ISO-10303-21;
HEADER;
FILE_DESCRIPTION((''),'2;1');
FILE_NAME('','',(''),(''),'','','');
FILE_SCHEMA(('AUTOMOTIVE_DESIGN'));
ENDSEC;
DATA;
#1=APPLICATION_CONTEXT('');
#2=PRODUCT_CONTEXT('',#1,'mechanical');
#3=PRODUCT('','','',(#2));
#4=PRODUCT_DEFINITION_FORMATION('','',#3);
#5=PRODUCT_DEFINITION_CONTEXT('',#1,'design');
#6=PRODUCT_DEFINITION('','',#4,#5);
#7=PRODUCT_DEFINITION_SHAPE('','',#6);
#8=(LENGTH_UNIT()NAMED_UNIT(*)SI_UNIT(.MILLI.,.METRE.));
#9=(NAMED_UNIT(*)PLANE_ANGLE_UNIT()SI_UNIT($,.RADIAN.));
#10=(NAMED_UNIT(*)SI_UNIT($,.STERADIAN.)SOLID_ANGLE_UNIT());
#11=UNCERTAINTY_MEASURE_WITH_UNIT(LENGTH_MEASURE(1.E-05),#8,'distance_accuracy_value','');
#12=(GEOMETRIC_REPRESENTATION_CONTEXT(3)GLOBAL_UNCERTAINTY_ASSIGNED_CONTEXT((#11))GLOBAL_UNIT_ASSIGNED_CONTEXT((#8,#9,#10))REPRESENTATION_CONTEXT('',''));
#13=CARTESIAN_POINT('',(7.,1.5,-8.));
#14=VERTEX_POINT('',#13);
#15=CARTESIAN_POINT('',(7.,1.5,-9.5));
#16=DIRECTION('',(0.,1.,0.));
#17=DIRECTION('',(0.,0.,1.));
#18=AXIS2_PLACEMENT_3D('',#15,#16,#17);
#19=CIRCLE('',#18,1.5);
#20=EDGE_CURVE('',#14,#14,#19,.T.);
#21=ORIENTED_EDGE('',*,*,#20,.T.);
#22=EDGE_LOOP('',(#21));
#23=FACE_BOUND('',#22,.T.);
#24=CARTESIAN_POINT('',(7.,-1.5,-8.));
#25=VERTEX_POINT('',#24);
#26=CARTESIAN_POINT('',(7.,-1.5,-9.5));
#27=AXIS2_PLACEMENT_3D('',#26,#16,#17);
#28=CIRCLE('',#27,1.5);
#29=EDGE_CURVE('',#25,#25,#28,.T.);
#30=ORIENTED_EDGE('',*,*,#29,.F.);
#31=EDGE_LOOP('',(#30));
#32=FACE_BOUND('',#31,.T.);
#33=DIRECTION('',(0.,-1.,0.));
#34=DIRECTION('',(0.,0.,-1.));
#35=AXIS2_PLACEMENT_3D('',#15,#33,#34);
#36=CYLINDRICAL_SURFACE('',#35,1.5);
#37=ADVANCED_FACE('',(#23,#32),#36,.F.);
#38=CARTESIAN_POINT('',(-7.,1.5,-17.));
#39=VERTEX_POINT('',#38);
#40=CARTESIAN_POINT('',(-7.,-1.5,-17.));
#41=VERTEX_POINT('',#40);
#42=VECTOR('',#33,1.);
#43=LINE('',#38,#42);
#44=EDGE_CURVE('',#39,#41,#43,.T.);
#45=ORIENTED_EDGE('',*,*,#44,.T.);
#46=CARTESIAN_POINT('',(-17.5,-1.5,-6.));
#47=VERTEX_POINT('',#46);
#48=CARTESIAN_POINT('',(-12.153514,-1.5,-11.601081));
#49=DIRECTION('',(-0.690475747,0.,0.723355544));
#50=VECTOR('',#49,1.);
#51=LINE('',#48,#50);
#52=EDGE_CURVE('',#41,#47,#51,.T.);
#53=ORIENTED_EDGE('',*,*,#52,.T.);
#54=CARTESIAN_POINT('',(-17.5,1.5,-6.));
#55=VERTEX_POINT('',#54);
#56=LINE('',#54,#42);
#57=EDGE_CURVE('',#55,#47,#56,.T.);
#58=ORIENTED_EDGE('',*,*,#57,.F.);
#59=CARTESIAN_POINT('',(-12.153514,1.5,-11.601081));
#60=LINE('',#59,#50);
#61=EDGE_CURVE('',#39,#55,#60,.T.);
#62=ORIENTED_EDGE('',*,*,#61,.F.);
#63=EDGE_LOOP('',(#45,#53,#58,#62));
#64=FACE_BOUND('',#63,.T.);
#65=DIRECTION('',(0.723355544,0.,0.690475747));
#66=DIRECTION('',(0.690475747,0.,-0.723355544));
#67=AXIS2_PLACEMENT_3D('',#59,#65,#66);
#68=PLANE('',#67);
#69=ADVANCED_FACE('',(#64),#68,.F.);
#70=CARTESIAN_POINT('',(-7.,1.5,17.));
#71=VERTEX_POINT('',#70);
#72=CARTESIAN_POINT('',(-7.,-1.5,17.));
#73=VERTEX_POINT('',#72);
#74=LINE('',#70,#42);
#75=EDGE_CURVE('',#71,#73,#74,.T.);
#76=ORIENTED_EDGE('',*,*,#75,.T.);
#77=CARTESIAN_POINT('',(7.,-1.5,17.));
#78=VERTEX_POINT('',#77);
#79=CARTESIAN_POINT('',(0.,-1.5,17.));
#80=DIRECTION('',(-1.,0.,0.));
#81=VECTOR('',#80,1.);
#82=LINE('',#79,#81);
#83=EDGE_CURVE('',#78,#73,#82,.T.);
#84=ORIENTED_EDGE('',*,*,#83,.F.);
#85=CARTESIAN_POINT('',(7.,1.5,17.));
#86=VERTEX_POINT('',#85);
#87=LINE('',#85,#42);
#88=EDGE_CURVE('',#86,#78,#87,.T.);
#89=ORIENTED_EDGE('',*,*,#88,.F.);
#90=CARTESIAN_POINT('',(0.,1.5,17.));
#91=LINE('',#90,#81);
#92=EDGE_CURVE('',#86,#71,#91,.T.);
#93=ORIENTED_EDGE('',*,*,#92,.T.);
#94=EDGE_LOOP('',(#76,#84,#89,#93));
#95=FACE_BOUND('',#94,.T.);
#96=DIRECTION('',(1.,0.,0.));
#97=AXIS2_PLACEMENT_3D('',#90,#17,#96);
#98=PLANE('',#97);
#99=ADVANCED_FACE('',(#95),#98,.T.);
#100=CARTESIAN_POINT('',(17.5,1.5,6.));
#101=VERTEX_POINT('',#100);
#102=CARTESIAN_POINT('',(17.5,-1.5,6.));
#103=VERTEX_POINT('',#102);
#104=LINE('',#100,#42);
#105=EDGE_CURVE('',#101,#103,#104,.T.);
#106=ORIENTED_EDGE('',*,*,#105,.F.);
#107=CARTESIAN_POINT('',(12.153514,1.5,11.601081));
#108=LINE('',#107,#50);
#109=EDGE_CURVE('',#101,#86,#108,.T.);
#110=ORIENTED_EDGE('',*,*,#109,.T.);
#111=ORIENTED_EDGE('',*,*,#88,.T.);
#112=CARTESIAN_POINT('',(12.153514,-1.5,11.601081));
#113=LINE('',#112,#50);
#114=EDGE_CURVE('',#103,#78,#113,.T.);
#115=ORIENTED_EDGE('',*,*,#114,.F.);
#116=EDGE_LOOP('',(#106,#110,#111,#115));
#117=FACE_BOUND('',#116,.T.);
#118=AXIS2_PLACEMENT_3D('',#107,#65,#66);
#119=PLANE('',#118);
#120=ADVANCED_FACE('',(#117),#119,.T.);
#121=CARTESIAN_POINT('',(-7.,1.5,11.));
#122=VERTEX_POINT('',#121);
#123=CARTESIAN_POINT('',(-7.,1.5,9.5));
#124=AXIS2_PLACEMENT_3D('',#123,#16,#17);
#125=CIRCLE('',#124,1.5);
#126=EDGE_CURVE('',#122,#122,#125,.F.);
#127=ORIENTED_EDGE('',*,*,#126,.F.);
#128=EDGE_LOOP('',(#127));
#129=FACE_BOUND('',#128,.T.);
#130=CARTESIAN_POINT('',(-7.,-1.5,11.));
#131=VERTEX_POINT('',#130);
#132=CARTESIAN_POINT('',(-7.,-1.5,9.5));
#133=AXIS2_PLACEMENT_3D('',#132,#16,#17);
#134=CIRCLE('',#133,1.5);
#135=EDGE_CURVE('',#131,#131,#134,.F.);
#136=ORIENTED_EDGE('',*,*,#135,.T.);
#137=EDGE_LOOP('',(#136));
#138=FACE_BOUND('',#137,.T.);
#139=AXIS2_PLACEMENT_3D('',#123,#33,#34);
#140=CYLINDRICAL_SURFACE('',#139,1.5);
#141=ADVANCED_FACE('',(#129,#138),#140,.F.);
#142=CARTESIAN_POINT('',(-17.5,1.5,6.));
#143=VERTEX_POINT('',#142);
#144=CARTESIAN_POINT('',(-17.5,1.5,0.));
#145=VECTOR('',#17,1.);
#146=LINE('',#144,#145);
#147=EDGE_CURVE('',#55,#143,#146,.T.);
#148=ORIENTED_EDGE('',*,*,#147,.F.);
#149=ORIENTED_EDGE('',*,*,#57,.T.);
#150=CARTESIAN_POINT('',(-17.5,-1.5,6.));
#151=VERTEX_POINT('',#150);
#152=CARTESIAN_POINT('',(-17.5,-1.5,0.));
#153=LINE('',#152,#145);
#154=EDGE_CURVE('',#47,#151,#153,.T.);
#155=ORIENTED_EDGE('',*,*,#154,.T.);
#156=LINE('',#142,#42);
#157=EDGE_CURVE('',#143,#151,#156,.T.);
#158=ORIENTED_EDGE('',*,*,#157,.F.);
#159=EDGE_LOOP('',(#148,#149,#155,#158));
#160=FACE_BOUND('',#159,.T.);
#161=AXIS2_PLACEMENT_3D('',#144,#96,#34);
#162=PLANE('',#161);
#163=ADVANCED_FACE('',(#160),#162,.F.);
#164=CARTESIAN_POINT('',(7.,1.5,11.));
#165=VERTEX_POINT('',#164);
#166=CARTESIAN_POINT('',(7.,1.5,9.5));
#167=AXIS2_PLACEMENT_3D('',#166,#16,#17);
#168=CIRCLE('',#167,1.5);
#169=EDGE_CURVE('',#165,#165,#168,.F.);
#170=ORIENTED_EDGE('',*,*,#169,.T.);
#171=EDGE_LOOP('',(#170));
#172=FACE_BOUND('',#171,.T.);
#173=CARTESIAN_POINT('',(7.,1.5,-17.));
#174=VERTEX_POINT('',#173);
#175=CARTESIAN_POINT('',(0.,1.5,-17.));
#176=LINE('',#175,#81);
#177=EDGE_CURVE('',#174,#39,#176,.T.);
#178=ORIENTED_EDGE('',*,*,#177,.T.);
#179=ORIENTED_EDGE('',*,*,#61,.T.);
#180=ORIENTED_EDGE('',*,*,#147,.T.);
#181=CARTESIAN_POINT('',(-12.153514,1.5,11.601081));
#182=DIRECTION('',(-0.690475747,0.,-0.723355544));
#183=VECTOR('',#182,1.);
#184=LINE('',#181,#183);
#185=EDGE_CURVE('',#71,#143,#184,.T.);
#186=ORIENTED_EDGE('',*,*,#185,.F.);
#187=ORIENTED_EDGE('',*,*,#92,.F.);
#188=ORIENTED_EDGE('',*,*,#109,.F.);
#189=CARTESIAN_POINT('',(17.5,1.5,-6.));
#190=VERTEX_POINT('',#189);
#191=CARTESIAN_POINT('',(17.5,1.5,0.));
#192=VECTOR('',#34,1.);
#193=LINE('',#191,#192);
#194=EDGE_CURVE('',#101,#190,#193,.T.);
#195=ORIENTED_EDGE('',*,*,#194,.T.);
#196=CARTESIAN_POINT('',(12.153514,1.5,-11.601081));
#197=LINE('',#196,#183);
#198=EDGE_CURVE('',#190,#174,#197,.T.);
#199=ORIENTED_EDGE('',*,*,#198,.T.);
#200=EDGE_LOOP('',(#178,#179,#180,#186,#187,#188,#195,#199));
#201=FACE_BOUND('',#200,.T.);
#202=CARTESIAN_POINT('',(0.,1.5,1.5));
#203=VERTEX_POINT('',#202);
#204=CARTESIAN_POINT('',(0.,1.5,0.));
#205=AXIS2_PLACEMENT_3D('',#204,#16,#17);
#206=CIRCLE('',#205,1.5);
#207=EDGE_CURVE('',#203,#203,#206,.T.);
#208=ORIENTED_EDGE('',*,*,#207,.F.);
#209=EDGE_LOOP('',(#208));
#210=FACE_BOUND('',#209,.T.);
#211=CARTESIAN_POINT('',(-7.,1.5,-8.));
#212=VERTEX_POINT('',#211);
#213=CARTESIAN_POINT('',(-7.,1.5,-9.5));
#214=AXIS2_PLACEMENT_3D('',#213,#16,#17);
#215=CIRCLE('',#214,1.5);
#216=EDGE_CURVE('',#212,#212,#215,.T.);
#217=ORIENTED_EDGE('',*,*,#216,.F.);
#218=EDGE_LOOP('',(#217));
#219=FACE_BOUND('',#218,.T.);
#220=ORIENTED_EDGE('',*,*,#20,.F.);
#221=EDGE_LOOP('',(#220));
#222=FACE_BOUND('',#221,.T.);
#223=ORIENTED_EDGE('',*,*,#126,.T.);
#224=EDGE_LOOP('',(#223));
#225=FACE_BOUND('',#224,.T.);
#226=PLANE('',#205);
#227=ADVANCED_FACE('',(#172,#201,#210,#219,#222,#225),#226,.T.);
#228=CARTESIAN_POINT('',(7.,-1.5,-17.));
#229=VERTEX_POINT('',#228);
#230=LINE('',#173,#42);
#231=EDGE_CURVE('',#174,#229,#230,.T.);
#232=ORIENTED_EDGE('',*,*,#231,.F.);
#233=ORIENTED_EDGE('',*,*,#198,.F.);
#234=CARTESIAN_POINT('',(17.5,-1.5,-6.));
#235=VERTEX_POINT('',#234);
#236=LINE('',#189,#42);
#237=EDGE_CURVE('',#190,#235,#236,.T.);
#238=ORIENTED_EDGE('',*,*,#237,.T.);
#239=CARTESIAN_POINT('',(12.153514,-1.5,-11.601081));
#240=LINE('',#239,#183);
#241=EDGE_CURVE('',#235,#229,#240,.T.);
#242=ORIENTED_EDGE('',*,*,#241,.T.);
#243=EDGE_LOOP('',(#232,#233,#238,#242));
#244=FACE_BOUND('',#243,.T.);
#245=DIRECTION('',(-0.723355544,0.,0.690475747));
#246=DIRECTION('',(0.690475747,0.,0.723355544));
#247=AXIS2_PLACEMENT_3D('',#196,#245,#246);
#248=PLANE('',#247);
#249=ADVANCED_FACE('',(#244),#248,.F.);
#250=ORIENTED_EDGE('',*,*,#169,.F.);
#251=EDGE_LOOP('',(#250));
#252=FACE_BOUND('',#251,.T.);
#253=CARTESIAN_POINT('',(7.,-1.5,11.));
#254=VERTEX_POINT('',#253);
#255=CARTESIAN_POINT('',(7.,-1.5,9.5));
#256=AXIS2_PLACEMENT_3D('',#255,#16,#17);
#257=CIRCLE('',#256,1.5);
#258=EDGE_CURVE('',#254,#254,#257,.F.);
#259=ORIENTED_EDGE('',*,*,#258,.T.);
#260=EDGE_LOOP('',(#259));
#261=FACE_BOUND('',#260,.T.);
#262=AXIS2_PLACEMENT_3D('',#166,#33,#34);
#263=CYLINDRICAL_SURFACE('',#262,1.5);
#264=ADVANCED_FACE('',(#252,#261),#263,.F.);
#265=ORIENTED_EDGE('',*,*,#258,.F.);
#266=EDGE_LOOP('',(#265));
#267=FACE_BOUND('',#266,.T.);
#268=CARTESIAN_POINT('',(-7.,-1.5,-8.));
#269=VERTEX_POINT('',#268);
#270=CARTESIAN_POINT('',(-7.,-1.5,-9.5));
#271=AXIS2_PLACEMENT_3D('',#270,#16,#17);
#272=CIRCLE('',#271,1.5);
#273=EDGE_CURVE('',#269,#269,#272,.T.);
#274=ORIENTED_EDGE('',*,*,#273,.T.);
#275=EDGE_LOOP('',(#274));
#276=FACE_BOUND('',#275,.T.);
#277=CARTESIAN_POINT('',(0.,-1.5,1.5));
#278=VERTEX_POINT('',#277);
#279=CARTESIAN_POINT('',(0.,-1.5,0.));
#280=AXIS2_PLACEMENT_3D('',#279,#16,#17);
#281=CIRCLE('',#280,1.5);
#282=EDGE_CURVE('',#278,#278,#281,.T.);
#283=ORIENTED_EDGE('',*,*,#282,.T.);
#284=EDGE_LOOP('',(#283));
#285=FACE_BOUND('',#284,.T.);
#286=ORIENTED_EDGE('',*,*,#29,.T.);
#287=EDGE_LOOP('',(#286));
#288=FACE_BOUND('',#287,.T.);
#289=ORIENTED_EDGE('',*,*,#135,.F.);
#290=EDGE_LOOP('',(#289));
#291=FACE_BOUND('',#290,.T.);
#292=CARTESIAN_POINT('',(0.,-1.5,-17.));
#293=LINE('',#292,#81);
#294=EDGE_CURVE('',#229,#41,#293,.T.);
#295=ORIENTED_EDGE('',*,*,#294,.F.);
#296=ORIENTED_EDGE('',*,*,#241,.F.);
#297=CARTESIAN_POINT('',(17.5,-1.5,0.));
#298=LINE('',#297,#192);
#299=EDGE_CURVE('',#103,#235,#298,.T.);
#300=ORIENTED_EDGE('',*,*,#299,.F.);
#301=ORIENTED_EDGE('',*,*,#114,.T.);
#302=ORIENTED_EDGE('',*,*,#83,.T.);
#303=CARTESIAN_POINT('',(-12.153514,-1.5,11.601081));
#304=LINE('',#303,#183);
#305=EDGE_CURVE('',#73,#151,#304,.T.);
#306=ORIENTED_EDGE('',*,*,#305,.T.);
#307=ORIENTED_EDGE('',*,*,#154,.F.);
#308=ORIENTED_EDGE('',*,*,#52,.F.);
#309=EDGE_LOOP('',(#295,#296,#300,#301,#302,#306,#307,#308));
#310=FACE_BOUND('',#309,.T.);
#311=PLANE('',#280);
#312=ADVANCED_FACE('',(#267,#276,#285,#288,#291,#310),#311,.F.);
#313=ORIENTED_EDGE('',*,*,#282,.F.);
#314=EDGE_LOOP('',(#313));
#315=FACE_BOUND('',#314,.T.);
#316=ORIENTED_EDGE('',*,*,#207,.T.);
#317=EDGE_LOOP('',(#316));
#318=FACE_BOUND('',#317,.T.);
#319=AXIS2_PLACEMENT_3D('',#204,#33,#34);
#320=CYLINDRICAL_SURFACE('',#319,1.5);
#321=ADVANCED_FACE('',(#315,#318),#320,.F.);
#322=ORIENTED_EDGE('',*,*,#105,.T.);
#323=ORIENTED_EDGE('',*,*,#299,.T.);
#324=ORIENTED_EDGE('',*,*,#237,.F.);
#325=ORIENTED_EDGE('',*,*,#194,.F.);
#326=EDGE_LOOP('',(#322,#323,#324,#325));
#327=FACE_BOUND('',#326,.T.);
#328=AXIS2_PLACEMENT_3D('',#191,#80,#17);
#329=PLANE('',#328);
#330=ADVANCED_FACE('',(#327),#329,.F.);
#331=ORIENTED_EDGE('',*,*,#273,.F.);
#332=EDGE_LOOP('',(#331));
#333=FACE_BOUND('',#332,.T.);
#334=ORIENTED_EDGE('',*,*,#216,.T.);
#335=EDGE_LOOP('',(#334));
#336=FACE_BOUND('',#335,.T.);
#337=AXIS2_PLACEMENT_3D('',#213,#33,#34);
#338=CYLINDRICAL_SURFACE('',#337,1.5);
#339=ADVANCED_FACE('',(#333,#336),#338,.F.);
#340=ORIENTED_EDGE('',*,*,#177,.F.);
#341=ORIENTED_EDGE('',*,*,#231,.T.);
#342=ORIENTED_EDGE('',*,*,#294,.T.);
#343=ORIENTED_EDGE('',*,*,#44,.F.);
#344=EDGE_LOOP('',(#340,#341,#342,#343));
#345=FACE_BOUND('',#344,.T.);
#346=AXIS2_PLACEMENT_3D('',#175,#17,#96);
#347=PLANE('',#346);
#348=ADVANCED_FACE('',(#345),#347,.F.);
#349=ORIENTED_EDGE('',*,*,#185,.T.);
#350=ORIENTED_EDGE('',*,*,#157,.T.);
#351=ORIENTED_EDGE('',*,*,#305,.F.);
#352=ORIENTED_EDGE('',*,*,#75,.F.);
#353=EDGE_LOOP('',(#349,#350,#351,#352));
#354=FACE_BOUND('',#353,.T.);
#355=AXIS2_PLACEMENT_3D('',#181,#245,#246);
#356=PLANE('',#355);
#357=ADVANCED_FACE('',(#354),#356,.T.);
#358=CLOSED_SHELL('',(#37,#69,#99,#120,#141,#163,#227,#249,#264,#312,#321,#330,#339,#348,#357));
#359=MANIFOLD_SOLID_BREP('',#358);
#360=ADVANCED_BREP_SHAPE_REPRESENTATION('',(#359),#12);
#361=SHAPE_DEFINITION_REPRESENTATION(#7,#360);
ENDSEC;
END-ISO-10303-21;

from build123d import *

# Parameters (mm, degrees)
SKETCH1_R           = 1.5
BOSS_EXTRUDE1_DEPTH = 1.5


with BuildPart() as part:
    # Sketch1 → Boss-Extrude1 (new body, symmetric)
    with BuildSketch(Plane(origin=(0, 0, 0), x_dir=(1, 0, 0), z_dir=(0, 1, 0))):
        with BuildLine():
            Line((1.5, 0), (17.5, 0))
            Line((17.5, 0), (17.5, 6))
            Line((17.5, 6), (7, 17))
            Line((7, 17), (0, 17))
            Line((0, 17), (-7, 17))
            Line((-7, 17), (-17.5, 6))
            Line((-17.5, 6), (-17.5, 0))
            Line((-17.5, 0), (-1.5, 0))
            ThreePointArc((-1.5, 0), (0, 1.5), (1.5, 0))
        make_face()
        with Locations((-7, 9.5)):
            Circle(SKETCH1_R, mode=Mode.SUBTRACT)
        with Locations((7, 9.5)):
            Circle(SKETCH1_R, mode=Mode.SUBTRACT)
        with BuildLine():
            Line((7, -17), (17.5, -6))
            Line((17.5, -6), (17.5, 0))
            Line((17.5, 0), (1.5, 0))
            ThreePointArc((1.5, 0), (0, -1.5), (-1.5, 0))
            Line((-1.5, 0), (-17.5, 0))
            Line((-17.5, 0), (-17.5, -6))
            Line((-17.5, -6), (-7, -17))
            Line((-7, -17), (0, -17))
            Line((0, -17), (7, -17))
        make_face()
        with Locations((-7, -9.5)):
            Circle(SKETCH1_R, mode=Mode.SUBTRACT)
        with Locations((7, -9.5)):
            Circle(SKETCH1_R, mode=Mode.SUBTRACT)
    extrude(amount=BOSS_EXTRUDE1_DEPTH, both=True)


solid = part.part
